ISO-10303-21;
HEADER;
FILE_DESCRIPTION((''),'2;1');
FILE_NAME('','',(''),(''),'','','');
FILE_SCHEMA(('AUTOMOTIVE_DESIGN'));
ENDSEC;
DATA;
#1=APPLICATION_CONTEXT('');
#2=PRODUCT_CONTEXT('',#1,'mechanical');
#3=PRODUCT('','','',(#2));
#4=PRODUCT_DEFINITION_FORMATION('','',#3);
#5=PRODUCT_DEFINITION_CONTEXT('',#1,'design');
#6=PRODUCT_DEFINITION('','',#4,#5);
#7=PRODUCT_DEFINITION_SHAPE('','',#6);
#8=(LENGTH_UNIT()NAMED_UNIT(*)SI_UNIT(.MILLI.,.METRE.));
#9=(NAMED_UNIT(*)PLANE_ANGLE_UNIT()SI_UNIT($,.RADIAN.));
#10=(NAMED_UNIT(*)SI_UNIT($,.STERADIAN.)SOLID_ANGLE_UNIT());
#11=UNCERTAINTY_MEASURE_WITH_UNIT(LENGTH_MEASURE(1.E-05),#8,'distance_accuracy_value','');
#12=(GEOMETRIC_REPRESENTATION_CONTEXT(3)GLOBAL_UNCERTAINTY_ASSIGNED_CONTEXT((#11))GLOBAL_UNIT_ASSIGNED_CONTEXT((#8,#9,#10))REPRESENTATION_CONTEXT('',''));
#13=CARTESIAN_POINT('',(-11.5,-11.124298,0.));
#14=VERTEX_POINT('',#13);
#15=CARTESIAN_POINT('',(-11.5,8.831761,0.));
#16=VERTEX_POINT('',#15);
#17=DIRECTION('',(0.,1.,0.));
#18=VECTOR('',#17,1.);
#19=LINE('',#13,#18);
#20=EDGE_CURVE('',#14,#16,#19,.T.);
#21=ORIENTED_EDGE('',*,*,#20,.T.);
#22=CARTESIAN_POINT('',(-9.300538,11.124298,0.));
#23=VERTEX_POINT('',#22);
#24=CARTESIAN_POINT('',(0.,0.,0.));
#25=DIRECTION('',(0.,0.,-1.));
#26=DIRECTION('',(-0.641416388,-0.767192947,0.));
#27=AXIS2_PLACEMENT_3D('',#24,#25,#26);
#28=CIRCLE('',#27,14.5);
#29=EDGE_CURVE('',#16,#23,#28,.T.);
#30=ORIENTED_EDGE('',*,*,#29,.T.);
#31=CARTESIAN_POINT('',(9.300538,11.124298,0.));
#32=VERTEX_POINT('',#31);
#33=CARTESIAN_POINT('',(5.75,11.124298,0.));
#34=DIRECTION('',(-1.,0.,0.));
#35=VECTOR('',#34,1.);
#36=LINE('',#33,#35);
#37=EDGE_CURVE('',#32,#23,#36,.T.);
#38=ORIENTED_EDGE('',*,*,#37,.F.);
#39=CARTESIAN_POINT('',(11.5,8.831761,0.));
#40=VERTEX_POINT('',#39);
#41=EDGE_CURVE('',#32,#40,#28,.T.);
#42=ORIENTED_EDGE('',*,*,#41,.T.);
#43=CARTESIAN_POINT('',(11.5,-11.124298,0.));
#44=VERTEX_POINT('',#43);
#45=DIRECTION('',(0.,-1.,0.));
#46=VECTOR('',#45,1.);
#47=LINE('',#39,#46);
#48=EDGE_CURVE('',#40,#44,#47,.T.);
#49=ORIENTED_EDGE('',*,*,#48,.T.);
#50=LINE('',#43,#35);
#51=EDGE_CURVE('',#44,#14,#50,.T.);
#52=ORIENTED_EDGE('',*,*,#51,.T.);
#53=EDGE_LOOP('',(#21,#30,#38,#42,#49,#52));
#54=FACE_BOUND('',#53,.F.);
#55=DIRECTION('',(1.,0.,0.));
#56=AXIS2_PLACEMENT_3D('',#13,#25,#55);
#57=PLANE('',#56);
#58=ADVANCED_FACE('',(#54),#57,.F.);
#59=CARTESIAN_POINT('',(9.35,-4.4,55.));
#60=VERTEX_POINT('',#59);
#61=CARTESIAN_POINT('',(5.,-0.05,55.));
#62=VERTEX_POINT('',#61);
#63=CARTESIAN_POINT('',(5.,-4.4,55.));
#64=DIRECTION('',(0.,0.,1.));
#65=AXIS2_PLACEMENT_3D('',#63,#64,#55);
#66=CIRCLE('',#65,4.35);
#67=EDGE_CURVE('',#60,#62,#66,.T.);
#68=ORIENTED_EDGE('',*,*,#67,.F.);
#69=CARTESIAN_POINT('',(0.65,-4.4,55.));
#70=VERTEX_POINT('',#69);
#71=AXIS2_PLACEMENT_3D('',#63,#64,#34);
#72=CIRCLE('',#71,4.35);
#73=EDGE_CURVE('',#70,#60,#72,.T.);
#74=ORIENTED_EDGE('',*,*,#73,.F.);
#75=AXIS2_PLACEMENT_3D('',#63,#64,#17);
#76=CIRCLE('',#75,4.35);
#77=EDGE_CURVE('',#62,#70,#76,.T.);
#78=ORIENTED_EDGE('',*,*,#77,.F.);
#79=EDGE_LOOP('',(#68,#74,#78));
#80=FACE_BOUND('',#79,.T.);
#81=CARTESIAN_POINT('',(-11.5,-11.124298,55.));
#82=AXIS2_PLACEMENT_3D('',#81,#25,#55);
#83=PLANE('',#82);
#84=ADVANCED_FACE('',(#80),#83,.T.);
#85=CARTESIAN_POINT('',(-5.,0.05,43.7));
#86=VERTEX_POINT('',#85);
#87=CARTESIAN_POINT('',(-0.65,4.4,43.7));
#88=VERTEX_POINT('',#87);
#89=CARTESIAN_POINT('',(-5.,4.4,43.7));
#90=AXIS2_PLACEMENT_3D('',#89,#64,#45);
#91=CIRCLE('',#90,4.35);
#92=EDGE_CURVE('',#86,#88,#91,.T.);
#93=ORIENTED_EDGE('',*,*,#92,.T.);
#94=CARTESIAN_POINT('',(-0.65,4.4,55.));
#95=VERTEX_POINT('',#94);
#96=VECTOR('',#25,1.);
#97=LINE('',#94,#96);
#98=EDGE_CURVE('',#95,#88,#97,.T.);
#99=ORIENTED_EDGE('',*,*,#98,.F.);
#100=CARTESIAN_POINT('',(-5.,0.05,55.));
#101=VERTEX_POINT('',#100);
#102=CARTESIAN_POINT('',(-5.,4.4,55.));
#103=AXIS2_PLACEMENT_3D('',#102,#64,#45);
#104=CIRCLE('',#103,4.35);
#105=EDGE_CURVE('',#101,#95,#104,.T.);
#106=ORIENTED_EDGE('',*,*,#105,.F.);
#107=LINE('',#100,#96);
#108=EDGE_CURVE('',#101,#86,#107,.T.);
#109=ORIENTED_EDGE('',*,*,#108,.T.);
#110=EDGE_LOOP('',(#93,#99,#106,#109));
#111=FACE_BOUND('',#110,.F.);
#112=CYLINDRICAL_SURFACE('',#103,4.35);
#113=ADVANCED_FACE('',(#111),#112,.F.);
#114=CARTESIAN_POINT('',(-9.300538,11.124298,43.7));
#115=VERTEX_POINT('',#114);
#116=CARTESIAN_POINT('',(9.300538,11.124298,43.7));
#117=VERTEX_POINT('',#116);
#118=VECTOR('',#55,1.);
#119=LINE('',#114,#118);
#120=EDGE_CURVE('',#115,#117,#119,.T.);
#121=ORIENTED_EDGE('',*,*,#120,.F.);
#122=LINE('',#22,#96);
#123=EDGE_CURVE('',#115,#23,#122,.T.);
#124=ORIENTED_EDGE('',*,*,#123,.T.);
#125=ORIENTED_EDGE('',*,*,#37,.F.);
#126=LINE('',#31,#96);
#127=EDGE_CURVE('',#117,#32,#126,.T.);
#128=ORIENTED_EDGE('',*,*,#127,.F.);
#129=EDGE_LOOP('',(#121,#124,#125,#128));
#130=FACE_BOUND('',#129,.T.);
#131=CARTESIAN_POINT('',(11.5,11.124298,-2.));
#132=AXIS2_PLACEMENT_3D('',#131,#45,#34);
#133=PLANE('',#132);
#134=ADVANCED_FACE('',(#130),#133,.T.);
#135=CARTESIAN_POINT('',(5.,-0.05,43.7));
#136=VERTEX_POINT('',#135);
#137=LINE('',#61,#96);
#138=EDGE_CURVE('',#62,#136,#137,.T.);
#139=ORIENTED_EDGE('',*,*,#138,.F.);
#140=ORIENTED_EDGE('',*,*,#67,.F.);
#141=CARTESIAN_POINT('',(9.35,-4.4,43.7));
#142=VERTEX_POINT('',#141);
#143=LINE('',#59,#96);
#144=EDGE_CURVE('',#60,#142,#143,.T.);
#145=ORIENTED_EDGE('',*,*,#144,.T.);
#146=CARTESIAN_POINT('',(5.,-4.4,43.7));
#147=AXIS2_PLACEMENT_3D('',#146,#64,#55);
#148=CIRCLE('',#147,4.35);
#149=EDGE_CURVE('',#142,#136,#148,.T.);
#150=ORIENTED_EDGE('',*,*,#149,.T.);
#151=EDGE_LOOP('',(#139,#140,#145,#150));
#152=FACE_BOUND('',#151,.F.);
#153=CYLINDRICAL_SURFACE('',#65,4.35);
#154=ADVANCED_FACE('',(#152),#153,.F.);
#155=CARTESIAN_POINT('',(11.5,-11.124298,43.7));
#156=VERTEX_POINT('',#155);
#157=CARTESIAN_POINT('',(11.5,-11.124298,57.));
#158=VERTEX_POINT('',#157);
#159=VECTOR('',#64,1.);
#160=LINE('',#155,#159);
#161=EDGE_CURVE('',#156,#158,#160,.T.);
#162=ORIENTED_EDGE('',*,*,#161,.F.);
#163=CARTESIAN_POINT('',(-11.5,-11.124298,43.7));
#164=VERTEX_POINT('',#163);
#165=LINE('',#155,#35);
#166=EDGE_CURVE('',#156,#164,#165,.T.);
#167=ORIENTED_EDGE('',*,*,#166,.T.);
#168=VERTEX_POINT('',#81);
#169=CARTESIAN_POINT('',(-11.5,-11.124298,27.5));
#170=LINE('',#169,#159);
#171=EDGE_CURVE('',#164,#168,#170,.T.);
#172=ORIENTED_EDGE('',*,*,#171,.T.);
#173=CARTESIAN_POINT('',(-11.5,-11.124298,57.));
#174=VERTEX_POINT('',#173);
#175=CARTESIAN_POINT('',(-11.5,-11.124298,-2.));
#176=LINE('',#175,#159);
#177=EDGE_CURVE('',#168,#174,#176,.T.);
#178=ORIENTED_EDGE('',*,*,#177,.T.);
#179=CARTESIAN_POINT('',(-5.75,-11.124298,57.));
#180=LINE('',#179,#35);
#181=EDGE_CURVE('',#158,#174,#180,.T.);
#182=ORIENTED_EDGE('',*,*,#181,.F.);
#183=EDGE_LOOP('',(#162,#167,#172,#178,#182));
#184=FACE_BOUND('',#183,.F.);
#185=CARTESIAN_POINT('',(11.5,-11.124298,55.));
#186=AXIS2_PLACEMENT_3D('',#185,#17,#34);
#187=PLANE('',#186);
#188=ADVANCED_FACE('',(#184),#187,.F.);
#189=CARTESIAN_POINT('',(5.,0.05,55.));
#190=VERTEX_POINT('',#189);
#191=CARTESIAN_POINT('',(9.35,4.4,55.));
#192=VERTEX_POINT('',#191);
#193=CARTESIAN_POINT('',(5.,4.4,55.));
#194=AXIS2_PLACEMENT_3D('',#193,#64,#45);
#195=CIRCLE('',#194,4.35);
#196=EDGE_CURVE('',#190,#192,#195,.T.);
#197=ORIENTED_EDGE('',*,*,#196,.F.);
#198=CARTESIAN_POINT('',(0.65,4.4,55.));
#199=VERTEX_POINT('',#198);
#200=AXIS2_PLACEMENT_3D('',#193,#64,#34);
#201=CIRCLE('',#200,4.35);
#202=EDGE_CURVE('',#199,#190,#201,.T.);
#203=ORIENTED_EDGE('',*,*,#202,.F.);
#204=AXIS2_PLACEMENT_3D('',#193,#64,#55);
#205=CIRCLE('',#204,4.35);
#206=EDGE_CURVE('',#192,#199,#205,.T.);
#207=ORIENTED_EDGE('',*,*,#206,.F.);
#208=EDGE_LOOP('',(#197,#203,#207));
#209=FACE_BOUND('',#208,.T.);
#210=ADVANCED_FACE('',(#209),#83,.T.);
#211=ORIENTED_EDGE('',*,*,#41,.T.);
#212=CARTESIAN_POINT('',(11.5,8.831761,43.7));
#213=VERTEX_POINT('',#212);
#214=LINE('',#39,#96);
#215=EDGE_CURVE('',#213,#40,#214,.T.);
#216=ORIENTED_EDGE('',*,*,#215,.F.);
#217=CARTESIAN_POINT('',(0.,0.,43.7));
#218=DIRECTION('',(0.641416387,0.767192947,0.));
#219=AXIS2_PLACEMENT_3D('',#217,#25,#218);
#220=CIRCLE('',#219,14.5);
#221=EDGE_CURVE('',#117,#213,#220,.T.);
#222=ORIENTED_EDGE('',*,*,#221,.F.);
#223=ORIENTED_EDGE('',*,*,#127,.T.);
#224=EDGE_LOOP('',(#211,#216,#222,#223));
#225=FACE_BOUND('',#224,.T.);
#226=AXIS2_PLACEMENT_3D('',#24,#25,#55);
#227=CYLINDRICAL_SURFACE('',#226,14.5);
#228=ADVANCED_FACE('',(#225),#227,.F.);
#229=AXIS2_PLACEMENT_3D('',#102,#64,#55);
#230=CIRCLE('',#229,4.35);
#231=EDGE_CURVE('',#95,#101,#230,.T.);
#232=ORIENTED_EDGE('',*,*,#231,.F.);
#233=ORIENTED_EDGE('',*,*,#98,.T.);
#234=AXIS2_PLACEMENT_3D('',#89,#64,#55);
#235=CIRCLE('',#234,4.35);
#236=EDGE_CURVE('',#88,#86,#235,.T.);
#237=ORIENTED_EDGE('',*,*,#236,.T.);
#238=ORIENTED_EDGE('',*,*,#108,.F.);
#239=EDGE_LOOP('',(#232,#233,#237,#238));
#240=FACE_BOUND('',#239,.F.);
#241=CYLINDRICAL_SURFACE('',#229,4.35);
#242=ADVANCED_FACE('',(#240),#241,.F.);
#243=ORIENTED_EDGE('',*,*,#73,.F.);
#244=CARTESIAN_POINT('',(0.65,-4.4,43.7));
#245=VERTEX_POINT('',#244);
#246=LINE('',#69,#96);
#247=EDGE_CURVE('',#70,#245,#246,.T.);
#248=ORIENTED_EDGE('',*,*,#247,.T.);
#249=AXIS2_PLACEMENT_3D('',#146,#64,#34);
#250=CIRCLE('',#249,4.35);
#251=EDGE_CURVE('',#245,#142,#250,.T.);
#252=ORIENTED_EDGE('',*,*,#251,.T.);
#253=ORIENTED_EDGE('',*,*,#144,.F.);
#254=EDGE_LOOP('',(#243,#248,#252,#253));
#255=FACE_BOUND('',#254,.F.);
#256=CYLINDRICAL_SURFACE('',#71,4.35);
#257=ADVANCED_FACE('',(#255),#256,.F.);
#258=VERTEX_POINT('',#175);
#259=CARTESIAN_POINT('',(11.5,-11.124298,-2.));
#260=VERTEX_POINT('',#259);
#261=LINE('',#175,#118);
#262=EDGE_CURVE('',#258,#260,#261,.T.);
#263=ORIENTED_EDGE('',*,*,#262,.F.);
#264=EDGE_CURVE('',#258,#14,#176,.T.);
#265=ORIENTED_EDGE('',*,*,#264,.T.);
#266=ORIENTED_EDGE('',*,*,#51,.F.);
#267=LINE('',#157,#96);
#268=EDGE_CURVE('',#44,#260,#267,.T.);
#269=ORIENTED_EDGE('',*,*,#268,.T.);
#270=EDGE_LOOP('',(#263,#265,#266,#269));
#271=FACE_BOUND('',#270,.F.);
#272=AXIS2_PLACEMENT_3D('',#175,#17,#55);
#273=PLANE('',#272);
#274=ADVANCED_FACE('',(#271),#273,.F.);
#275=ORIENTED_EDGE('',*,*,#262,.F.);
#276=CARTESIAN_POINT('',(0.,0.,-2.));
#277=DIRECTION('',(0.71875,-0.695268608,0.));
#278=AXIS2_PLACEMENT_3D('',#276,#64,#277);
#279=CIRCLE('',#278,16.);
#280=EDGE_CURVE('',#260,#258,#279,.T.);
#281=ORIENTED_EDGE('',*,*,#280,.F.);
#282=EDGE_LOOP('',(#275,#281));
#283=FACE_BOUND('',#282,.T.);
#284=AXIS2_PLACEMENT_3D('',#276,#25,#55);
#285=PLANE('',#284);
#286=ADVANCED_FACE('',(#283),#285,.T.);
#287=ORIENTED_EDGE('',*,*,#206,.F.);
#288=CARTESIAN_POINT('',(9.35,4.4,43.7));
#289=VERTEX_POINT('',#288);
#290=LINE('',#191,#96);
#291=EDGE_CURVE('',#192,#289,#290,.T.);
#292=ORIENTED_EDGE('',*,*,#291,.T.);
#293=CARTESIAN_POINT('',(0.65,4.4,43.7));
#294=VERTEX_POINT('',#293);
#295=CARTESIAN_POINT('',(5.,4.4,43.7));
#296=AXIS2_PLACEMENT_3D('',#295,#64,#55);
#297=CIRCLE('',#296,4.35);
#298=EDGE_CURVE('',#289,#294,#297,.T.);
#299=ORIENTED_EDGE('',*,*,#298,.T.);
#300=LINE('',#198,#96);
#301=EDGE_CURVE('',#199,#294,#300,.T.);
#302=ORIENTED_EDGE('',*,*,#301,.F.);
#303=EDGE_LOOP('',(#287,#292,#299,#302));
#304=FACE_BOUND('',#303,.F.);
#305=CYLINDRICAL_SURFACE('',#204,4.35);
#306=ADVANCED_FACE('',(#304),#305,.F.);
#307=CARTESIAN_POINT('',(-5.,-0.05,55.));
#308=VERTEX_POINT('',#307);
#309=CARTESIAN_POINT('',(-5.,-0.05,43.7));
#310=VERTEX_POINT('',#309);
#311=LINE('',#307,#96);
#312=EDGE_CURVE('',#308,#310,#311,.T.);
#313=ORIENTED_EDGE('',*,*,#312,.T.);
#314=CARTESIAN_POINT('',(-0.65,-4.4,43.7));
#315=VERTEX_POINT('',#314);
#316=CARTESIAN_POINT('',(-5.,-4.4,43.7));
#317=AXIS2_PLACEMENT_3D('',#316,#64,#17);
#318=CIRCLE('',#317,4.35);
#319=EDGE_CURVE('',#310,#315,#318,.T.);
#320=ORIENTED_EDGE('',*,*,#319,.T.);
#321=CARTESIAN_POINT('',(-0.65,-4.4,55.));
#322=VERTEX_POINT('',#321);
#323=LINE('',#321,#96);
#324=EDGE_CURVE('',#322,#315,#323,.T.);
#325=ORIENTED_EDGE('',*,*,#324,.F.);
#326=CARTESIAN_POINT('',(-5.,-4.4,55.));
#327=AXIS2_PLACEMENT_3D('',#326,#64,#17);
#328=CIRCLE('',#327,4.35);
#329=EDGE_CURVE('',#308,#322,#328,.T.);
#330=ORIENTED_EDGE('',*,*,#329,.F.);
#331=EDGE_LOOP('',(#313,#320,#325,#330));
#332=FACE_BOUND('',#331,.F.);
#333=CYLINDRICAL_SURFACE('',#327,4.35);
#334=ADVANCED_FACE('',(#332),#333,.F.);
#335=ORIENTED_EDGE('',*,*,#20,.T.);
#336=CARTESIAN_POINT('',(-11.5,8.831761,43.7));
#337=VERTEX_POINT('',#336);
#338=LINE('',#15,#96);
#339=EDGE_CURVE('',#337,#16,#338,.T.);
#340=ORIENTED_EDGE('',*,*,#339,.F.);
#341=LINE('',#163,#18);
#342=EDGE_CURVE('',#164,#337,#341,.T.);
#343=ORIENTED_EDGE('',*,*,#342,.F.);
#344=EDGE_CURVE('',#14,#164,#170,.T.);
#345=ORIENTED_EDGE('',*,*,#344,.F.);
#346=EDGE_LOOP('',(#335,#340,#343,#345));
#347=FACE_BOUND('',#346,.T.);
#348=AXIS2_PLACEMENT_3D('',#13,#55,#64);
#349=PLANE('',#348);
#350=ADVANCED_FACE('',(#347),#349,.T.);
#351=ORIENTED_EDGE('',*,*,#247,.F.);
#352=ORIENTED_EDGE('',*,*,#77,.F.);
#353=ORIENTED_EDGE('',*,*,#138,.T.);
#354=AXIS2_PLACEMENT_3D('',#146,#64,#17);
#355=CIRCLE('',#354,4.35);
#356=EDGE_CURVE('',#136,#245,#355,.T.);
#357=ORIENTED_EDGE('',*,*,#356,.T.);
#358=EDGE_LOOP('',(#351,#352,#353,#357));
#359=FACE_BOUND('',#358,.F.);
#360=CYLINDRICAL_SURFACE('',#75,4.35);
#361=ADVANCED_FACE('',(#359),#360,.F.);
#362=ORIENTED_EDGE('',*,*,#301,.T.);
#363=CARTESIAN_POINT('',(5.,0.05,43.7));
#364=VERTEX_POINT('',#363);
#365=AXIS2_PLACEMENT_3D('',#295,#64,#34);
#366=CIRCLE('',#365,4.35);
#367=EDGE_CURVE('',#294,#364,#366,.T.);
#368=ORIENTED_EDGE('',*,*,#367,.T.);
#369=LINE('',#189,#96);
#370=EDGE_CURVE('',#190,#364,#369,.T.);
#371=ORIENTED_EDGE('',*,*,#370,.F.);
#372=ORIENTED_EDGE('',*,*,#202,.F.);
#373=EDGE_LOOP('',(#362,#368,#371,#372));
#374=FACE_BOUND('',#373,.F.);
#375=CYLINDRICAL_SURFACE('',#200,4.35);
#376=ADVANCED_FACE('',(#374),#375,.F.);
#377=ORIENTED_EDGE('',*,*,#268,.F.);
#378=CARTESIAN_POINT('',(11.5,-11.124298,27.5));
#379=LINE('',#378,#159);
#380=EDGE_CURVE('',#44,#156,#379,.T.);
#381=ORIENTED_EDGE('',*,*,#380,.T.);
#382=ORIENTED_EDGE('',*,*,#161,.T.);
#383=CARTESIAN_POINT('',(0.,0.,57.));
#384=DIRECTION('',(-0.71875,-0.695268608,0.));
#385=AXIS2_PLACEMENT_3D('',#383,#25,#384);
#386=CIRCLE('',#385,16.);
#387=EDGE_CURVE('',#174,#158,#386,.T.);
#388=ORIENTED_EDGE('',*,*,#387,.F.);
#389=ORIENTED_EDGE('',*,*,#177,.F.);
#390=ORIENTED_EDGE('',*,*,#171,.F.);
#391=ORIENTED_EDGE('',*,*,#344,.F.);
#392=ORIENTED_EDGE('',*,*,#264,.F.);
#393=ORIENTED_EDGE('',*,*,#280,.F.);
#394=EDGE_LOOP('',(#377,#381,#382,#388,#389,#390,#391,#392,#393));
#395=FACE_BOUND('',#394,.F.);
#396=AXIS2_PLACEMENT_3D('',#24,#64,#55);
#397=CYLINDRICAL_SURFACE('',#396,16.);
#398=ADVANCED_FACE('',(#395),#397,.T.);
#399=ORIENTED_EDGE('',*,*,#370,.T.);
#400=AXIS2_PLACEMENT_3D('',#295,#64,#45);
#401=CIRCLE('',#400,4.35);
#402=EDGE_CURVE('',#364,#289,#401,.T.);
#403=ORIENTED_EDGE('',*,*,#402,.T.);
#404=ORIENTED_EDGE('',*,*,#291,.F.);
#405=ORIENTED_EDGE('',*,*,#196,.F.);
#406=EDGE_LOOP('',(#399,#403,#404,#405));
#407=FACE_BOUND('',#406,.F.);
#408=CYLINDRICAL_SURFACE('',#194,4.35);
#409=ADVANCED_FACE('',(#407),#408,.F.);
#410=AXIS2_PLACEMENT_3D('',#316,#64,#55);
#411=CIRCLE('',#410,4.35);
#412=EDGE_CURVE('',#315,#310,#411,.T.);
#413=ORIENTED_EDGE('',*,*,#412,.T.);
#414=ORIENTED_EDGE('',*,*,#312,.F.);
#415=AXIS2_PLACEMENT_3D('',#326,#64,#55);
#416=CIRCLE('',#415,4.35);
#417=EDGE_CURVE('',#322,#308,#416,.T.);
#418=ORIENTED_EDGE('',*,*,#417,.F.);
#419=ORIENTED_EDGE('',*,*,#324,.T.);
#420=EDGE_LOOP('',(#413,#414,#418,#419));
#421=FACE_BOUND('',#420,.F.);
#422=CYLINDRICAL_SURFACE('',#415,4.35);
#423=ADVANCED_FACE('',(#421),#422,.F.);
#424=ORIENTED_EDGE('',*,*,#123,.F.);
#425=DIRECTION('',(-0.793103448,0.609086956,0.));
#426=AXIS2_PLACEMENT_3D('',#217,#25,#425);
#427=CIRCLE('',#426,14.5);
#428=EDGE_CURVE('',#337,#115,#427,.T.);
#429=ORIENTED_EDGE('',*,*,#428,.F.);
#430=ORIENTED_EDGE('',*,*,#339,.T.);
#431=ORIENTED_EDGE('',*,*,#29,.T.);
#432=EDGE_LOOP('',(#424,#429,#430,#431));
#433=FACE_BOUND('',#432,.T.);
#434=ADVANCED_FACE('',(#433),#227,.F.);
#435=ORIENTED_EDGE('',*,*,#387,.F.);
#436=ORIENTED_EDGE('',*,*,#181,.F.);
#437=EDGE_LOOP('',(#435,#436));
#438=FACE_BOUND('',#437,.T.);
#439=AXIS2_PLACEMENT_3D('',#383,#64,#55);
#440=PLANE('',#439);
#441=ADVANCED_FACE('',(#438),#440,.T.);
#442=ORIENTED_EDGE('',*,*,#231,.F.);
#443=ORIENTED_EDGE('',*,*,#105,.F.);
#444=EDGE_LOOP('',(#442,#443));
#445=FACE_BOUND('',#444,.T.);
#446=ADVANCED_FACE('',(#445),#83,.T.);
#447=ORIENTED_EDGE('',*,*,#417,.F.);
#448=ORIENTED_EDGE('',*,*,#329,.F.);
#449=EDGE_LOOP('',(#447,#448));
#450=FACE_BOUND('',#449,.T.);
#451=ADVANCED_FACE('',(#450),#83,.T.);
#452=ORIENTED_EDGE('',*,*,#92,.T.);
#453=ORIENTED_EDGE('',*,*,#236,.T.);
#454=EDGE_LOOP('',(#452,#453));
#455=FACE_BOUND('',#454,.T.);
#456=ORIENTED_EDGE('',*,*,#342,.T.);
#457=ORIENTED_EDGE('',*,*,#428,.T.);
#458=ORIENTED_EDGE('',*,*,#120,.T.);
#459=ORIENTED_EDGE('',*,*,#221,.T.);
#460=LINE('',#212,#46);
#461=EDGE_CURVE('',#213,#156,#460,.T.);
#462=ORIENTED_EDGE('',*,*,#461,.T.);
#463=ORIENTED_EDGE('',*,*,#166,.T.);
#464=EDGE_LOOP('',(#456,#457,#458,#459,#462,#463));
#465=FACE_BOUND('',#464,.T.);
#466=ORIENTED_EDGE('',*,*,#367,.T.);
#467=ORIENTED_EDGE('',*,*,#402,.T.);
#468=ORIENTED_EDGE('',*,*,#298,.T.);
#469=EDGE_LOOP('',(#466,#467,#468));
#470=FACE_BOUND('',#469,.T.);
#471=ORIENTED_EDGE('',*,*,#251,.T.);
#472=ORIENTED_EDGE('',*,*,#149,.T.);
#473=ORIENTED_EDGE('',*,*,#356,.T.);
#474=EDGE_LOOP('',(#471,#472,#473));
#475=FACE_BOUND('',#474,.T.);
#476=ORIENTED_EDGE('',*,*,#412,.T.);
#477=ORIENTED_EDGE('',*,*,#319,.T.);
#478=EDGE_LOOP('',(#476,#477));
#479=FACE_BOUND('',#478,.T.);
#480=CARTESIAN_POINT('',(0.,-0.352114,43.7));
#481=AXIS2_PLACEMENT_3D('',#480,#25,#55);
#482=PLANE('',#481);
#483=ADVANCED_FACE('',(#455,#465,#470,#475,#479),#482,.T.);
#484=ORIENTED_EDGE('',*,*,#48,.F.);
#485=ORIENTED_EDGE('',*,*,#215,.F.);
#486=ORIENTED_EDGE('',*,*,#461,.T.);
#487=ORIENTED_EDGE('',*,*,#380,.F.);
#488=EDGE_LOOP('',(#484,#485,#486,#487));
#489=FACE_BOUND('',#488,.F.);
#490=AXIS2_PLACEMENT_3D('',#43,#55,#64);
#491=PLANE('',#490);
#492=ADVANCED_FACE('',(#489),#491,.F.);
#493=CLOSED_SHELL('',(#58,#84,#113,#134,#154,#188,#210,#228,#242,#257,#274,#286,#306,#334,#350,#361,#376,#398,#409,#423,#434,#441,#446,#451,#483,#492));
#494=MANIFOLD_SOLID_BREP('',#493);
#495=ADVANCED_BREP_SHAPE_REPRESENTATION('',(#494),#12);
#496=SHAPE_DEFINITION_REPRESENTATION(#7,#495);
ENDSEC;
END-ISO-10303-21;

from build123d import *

# Parameters (mm, degrees)
F0_R      = 16
F0_R_2    = 14.5
F1_DEPTH  = 55
F2_R      = 16
F3_DEPTH  = 2
F4_R      = 16
F5_DEPTH  = 2
F7_DEPTH  = 59.001
F9_DEPTH  = 58
F10_W     = 23
F10_H     = 55
F11_DEPTH = 3
F13_DEPTH = 11.3


with BuildPart() as f1:
    # F0 (on Top) → F1 (new body)
    with BuildSketch(Plane.XY):
        Circle(F0_R)
        Circle(F0_R_2, mode=Mode.SUBTRACT)
    extrude(amount=F1_DEPTH)

    # F2 (on face) → F3 (join)
    with BuildSketch(Plane.XY.offset(55)):
        Circle(F2_R)
    extrude(amount=F3_DEPTH)

    # F4 (on face) → F5 (join)
    with BuildSketch(Plane(origin=(0, 0, 0), x_dir=(1, 0, 0), z_dir=(0, 0, -1))):
        Circle(F4_R)
    extrude(amount=F5_DEPTH)

    # F6 (on face) → F7 (cut, through all)
    with BuildSketch(Plane(origin=(0, 0, -2), x_dir=(1, 0, 0), z_dir=(0, 0, -1))):
        with BuildLine():
            Line((-11.5, 11.1242977306), (11.5, 11.1242977306))
            ThreePointArc((11.5, 11.1242977306), (0, 16), (-11.5, 11.1242977306))
        make_face()
    extrude(amount=-F7_DEPTH, mode=Mode.SUBTRACT)

    # F8 (on face) → F9 (join)
    with BuildSketch(Plane(origin=(0, 0, -2), x_dir=(1, 0, 0), z_dir=(0, 0, -1))):
        with BuildLine():
            Line((-11.5, -11.1242977306), (-11.5, 11.1242977306))
            ThreePointArc((-11.5, 11.1242977306), (-16, 0), (-11.5, -11.1242977306))
        make_face()
        with BuildLine():
            ThreePointArc((-11.5, -11.1242977306), (0, -16), (11.5, -11.1242977306))
            Line((11.5, -11.1242977306), (-11.5, -11.1242977306))
        make_face()
        with BuildLine():
            ThreePointArc((11.5, -11.1242977306), (16, 0), (11.5, 11.1242977306))
            Line((11.5, 11.1242977306), (11.5, -11.1242977306))
        make_face()
    extrude(amount=-F9_DEPTH)

    # F10 (on face) → F11 (cut)
    with BuildSketch(Plane.XZ.offset(11.1242977306)):
        with Locations((0, 27.5)):
            Rectangle(F10_W, F10_H)
    extrude(amount=-F11_DEPTH, mode=Mode.SUBTRACT)

    # F12 (on face) → F13 (join)
    with BuildSketch(Plane(origin=(0, 0, 55), x_dir=(1, 0, 0), z_dir=(0, 0, -1))):
        with BuildLine():
            Line((11.5, -8.8317608663), (11.5, 11.1242977306))
            Line((11.5, 11.1242977306), (-11.5, 11.1242977306))
            Line((-11.5, 11.1242977306), (-11.5, -8.8317608663))
            ThreePointArc((-11.5, -8.8317608663), (-10.4632462758, -10.0384499487), (-9.3005376189, -11.1242977306))
            Line((-9.3005376189, -11.1242977306), (9.3005376189, -11.1242977306))
            ThreePointArc((9.3005376189, -11.1242977306), (10.4632462758, -10.0384499487), (11.5, -8.8317608663))
        make_face()
        with BuildLine():
            Line((0.65, -4.4), (-0.65, -4.4))
            ThreePointArc((-0.65, -4.4), (-8.0759144982, -7.4759144982), (-5, -0.05))
            Line((-5, -0.05), (-5, 0.05))
            ThreePointArc((-5, 0.05), (-8.0759144982, 7.4759144982), (-0.65, 4.4))
            Line((-0.65, 4.4), (0.65, 4.4))
            ThreePointArc((0.65, 4.4), (5, 8.75), (9.35, 4.4))
            ThreePointArc((9.35, 4.4), (8.0759144982, 1.3240855018), (5, 0.05))
            Line((5, 0.05), (5, -0.05))
            ThreePointArc((5, -0.05), (8.0759144982, -1.3240855018), (9.35, -4.4))
            ThreePointArc((9.35, -4.4), (5, -8.75), (0.65, -4.4))
        make_face(mode=Mode.SUBTRACT)
        with BuildLine():
            ThreePointArc((-5, -0.05), (-1.9240855018, -1.3240855018), (-0.65, -4.4))
            Line((-0.65, -4.4), (0.65, -4.4))
            ThreePointArc((0.65, -4.4), (1.9240855018, -1.3240855018), (5, -0.05))
            Line((5, -0.05), (5, 0.05))
            ThreePointArc((5, 0.05), (1.9240855018, 1.3240855018), (0.65, 4.4))
            Line((0.65, 4.4), (-0.65, 4.4))
            ThreePointArc((-0.65, 4.4), (-1.9240855018, 1.3240855018), (-5, 0.05))
            Line((-5, 0.05), (-5, -0.05))
        make_face()
    extrude(amount=F13_DEPTH)


solid = f1.part
